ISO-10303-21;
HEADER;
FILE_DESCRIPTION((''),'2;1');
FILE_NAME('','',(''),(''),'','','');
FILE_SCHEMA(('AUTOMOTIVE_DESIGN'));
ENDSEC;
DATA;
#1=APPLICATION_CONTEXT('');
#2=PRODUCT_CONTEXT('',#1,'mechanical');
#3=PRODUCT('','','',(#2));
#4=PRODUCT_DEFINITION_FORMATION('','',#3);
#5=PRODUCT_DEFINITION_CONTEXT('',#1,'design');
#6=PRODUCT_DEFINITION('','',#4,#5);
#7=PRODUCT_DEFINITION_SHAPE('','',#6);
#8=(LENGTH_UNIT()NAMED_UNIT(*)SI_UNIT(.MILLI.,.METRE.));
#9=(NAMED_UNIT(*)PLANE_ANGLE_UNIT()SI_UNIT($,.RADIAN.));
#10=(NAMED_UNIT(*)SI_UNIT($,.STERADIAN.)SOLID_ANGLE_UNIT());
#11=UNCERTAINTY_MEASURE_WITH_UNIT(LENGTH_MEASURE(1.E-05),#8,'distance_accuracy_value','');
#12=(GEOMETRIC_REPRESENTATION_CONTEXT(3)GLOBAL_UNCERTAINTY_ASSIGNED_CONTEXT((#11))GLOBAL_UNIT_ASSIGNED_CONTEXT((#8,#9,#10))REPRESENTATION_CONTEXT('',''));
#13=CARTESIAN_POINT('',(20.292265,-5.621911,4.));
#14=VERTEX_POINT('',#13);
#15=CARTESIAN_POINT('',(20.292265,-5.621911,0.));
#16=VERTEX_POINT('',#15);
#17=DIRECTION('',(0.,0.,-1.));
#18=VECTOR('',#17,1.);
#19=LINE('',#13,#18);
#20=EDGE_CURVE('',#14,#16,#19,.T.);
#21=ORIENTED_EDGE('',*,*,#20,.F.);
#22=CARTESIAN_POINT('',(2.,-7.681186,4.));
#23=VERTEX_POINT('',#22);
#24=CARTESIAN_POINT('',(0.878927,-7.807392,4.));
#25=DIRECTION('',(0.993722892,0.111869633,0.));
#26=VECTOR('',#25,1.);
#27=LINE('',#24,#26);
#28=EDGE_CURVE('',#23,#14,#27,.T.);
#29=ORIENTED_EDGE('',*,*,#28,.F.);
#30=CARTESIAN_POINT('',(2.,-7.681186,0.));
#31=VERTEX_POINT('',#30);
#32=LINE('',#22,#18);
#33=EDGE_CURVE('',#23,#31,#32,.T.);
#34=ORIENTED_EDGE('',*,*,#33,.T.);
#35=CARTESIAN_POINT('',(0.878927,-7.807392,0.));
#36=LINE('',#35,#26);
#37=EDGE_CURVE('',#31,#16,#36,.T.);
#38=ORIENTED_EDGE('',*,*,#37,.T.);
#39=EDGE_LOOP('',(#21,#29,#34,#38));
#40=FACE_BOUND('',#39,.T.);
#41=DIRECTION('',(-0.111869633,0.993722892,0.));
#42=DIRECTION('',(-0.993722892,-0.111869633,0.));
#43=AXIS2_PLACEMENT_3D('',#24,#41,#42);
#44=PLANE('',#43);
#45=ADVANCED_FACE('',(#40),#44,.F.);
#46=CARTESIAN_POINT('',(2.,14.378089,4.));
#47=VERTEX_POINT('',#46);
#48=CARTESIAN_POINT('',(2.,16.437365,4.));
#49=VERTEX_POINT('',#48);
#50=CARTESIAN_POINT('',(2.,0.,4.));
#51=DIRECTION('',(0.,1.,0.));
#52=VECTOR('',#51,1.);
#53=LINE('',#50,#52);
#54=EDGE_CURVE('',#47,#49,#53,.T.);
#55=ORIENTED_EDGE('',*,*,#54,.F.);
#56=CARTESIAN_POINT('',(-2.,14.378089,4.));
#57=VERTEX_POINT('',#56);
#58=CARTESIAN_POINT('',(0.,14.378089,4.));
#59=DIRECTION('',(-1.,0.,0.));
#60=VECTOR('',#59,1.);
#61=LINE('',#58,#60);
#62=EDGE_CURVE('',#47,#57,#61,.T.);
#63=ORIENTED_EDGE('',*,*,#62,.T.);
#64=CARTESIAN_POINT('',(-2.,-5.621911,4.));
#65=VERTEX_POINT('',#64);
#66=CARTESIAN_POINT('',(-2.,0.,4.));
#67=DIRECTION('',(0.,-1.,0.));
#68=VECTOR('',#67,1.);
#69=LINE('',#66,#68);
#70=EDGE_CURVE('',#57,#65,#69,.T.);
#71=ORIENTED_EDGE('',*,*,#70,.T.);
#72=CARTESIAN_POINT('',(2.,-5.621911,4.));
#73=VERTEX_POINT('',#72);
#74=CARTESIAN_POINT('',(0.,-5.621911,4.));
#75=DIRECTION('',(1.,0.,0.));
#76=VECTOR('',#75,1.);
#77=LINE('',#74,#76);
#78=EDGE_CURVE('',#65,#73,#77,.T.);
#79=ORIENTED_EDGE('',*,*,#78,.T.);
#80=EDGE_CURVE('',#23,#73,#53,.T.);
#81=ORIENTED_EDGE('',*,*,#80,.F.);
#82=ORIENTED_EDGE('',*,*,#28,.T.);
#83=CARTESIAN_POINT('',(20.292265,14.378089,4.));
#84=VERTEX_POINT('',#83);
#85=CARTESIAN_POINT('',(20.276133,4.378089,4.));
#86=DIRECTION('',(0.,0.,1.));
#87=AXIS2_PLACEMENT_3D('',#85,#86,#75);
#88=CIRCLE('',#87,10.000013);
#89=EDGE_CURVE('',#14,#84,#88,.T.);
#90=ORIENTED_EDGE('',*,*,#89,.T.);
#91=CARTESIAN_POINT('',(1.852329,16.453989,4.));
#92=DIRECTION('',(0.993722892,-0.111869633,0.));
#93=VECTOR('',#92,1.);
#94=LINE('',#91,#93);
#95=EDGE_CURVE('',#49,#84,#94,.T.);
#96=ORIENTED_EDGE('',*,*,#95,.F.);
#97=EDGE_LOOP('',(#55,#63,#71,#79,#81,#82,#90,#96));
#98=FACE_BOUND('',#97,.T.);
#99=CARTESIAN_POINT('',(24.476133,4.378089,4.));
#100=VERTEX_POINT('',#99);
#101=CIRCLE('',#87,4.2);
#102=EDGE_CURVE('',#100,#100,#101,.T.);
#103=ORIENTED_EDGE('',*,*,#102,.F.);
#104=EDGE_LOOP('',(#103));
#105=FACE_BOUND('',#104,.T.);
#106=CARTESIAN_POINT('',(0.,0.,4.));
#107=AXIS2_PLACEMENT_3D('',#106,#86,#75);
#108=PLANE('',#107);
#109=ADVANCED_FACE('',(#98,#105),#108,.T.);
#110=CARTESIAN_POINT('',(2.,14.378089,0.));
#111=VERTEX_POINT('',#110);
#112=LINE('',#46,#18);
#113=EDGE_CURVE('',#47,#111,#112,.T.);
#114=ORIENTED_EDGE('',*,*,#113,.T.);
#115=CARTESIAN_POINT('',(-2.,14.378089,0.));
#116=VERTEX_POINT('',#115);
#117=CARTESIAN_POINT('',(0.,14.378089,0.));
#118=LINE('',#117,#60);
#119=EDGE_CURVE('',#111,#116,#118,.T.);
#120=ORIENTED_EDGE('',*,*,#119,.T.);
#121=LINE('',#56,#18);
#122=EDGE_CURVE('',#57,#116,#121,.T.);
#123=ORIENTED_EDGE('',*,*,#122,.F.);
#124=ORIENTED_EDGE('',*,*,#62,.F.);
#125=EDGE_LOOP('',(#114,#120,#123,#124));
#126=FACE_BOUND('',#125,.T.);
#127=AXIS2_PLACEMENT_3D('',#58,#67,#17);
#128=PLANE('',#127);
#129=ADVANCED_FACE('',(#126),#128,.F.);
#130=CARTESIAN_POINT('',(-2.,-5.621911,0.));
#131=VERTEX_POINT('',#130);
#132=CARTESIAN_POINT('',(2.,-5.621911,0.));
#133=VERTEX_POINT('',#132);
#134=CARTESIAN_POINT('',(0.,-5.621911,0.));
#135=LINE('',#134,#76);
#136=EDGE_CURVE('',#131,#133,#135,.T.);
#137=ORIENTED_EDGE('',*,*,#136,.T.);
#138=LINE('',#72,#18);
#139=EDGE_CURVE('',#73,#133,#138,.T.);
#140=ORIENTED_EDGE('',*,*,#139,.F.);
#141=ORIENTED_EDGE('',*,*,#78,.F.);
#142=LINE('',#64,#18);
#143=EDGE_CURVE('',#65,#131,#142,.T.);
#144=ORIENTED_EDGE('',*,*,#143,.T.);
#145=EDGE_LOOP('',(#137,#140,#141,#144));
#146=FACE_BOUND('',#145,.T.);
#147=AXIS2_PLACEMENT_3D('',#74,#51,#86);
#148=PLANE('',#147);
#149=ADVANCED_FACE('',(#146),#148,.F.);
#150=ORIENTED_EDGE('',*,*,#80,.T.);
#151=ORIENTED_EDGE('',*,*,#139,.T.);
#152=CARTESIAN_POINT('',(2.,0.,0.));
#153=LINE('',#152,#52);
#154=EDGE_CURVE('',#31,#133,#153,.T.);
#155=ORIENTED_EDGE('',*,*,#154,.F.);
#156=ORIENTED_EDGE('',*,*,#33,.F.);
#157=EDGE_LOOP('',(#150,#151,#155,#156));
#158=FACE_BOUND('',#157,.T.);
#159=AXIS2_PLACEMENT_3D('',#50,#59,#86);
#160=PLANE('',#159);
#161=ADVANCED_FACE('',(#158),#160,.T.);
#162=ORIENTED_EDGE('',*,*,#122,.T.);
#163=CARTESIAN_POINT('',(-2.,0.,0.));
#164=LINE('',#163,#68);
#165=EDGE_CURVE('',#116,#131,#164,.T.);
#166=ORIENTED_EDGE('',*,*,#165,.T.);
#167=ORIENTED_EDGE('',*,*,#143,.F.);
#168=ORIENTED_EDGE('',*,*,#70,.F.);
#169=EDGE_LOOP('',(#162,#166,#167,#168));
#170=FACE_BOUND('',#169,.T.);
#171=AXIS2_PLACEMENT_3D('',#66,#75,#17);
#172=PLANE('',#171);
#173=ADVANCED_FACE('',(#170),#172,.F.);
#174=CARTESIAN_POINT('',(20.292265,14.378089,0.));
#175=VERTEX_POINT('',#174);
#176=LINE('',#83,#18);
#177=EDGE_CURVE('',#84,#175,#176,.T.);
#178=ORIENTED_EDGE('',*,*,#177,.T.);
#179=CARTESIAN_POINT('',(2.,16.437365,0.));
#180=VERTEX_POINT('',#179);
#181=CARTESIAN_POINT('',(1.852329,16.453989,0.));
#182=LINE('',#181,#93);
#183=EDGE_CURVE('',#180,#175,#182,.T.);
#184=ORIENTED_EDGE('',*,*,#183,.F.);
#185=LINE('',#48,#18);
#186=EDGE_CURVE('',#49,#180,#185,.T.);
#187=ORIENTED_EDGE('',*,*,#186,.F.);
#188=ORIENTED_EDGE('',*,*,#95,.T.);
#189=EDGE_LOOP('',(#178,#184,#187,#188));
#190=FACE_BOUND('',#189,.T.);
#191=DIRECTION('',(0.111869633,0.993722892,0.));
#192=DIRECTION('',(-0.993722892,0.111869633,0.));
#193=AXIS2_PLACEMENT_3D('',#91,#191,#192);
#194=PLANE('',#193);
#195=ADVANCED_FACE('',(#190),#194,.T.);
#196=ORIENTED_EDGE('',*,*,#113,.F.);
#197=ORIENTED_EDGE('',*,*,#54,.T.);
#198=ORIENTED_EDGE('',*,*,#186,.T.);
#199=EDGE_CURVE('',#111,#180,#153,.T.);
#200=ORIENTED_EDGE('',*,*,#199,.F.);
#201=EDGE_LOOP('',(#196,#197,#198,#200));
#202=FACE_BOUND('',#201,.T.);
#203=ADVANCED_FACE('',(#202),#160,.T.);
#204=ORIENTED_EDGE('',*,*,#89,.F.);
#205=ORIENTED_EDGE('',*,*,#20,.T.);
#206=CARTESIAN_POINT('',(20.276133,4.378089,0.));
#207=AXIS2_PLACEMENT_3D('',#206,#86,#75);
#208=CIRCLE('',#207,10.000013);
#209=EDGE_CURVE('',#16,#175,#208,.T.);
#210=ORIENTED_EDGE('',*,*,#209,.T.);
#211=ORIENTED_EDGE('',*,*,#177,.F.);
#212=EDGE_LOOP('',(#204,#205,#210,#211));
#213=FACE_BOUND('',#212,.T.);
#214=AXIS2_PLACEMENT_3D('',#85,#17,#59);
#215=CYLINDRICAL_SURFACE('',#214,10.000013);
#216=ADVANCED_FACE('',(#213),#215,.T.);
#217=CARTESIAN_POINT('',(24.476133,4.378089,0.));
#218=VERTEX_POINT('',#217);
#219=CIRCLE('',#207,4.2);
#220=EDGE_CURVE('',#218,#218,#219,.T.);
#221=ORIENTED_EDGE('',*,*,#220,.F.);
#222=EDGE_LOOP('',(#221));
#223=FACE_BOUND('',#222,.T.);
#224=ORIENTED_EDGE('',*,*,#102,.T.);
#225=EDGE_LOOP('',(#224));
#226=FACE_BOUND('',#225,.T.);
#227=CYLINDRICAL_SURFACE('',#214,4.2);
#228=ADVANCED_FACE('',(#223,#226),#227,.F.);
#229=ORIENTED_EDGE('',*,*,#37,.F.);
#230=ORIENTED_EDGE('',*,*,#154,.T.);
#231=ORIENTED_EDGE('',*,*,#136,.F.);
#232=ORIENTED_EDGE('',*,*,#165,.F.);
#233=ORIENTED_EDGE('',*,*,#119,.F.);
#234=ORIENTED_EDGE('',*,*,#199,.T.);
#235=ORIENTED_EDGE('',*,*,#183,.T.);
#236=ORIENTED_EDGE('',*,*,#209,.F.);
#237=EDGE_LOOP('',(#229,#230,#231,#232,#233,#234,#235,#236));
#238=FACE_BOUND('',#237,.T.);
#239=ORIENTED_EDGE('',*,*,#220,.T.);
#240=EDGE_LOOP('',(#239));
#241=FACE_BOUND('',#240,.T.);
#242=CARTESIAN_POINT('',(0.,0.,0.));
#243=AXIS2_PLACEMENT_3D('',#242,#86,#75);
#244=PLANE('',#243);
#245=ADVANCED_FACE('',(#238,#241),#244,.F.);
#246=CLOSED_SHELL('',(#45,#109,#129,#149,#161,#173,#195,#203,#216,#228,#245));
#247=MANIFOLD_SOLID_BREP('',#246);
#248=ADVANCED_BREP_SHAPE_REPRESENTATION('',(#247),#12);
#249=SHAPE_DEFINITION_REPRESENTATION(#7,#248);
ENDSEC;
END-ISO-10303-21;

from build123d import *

# Parameters (mm, degrees)
CROQUIS1_R              = 4.2
SALIENTE_EXTRUIR1_DEPTH = 4


with BuildPart() as part:
    # Croquis1 → Saliente-Extruir1 (new body)
    with BuildSketch(Plane.XY):
        with BuildLine():
            Line((2, 14.378089444), (-2, 14.378089444))
            Line((-2, 14.378089444), (-2, -5.621910556))
            Line((-2, -5.621910556), (2, -5.621910556))
            Line((2, -5.621910556), (2, -7.681185842))
            Line((2, -7.681185842), (20.292265124, -5.621910556))
            ThreePointArc((20.292265124, -5.621910556), (30.276145575, 4.378089444), (20.292265124, 14.378089444))
            Line((20.292265124, 14.378089444), (2, 16.43736473))
            Line((2, 16.43736473), (2, 14.378089444))
        make_face()
        with Locations((20.276132562, 4.378089444)):
            Circle(CROQUIS1_R, mode=Mode.SUBTRACT)
    extrude(amount=SALIENTE_EXTRUIR1_DEPTH)


solid = part.part
